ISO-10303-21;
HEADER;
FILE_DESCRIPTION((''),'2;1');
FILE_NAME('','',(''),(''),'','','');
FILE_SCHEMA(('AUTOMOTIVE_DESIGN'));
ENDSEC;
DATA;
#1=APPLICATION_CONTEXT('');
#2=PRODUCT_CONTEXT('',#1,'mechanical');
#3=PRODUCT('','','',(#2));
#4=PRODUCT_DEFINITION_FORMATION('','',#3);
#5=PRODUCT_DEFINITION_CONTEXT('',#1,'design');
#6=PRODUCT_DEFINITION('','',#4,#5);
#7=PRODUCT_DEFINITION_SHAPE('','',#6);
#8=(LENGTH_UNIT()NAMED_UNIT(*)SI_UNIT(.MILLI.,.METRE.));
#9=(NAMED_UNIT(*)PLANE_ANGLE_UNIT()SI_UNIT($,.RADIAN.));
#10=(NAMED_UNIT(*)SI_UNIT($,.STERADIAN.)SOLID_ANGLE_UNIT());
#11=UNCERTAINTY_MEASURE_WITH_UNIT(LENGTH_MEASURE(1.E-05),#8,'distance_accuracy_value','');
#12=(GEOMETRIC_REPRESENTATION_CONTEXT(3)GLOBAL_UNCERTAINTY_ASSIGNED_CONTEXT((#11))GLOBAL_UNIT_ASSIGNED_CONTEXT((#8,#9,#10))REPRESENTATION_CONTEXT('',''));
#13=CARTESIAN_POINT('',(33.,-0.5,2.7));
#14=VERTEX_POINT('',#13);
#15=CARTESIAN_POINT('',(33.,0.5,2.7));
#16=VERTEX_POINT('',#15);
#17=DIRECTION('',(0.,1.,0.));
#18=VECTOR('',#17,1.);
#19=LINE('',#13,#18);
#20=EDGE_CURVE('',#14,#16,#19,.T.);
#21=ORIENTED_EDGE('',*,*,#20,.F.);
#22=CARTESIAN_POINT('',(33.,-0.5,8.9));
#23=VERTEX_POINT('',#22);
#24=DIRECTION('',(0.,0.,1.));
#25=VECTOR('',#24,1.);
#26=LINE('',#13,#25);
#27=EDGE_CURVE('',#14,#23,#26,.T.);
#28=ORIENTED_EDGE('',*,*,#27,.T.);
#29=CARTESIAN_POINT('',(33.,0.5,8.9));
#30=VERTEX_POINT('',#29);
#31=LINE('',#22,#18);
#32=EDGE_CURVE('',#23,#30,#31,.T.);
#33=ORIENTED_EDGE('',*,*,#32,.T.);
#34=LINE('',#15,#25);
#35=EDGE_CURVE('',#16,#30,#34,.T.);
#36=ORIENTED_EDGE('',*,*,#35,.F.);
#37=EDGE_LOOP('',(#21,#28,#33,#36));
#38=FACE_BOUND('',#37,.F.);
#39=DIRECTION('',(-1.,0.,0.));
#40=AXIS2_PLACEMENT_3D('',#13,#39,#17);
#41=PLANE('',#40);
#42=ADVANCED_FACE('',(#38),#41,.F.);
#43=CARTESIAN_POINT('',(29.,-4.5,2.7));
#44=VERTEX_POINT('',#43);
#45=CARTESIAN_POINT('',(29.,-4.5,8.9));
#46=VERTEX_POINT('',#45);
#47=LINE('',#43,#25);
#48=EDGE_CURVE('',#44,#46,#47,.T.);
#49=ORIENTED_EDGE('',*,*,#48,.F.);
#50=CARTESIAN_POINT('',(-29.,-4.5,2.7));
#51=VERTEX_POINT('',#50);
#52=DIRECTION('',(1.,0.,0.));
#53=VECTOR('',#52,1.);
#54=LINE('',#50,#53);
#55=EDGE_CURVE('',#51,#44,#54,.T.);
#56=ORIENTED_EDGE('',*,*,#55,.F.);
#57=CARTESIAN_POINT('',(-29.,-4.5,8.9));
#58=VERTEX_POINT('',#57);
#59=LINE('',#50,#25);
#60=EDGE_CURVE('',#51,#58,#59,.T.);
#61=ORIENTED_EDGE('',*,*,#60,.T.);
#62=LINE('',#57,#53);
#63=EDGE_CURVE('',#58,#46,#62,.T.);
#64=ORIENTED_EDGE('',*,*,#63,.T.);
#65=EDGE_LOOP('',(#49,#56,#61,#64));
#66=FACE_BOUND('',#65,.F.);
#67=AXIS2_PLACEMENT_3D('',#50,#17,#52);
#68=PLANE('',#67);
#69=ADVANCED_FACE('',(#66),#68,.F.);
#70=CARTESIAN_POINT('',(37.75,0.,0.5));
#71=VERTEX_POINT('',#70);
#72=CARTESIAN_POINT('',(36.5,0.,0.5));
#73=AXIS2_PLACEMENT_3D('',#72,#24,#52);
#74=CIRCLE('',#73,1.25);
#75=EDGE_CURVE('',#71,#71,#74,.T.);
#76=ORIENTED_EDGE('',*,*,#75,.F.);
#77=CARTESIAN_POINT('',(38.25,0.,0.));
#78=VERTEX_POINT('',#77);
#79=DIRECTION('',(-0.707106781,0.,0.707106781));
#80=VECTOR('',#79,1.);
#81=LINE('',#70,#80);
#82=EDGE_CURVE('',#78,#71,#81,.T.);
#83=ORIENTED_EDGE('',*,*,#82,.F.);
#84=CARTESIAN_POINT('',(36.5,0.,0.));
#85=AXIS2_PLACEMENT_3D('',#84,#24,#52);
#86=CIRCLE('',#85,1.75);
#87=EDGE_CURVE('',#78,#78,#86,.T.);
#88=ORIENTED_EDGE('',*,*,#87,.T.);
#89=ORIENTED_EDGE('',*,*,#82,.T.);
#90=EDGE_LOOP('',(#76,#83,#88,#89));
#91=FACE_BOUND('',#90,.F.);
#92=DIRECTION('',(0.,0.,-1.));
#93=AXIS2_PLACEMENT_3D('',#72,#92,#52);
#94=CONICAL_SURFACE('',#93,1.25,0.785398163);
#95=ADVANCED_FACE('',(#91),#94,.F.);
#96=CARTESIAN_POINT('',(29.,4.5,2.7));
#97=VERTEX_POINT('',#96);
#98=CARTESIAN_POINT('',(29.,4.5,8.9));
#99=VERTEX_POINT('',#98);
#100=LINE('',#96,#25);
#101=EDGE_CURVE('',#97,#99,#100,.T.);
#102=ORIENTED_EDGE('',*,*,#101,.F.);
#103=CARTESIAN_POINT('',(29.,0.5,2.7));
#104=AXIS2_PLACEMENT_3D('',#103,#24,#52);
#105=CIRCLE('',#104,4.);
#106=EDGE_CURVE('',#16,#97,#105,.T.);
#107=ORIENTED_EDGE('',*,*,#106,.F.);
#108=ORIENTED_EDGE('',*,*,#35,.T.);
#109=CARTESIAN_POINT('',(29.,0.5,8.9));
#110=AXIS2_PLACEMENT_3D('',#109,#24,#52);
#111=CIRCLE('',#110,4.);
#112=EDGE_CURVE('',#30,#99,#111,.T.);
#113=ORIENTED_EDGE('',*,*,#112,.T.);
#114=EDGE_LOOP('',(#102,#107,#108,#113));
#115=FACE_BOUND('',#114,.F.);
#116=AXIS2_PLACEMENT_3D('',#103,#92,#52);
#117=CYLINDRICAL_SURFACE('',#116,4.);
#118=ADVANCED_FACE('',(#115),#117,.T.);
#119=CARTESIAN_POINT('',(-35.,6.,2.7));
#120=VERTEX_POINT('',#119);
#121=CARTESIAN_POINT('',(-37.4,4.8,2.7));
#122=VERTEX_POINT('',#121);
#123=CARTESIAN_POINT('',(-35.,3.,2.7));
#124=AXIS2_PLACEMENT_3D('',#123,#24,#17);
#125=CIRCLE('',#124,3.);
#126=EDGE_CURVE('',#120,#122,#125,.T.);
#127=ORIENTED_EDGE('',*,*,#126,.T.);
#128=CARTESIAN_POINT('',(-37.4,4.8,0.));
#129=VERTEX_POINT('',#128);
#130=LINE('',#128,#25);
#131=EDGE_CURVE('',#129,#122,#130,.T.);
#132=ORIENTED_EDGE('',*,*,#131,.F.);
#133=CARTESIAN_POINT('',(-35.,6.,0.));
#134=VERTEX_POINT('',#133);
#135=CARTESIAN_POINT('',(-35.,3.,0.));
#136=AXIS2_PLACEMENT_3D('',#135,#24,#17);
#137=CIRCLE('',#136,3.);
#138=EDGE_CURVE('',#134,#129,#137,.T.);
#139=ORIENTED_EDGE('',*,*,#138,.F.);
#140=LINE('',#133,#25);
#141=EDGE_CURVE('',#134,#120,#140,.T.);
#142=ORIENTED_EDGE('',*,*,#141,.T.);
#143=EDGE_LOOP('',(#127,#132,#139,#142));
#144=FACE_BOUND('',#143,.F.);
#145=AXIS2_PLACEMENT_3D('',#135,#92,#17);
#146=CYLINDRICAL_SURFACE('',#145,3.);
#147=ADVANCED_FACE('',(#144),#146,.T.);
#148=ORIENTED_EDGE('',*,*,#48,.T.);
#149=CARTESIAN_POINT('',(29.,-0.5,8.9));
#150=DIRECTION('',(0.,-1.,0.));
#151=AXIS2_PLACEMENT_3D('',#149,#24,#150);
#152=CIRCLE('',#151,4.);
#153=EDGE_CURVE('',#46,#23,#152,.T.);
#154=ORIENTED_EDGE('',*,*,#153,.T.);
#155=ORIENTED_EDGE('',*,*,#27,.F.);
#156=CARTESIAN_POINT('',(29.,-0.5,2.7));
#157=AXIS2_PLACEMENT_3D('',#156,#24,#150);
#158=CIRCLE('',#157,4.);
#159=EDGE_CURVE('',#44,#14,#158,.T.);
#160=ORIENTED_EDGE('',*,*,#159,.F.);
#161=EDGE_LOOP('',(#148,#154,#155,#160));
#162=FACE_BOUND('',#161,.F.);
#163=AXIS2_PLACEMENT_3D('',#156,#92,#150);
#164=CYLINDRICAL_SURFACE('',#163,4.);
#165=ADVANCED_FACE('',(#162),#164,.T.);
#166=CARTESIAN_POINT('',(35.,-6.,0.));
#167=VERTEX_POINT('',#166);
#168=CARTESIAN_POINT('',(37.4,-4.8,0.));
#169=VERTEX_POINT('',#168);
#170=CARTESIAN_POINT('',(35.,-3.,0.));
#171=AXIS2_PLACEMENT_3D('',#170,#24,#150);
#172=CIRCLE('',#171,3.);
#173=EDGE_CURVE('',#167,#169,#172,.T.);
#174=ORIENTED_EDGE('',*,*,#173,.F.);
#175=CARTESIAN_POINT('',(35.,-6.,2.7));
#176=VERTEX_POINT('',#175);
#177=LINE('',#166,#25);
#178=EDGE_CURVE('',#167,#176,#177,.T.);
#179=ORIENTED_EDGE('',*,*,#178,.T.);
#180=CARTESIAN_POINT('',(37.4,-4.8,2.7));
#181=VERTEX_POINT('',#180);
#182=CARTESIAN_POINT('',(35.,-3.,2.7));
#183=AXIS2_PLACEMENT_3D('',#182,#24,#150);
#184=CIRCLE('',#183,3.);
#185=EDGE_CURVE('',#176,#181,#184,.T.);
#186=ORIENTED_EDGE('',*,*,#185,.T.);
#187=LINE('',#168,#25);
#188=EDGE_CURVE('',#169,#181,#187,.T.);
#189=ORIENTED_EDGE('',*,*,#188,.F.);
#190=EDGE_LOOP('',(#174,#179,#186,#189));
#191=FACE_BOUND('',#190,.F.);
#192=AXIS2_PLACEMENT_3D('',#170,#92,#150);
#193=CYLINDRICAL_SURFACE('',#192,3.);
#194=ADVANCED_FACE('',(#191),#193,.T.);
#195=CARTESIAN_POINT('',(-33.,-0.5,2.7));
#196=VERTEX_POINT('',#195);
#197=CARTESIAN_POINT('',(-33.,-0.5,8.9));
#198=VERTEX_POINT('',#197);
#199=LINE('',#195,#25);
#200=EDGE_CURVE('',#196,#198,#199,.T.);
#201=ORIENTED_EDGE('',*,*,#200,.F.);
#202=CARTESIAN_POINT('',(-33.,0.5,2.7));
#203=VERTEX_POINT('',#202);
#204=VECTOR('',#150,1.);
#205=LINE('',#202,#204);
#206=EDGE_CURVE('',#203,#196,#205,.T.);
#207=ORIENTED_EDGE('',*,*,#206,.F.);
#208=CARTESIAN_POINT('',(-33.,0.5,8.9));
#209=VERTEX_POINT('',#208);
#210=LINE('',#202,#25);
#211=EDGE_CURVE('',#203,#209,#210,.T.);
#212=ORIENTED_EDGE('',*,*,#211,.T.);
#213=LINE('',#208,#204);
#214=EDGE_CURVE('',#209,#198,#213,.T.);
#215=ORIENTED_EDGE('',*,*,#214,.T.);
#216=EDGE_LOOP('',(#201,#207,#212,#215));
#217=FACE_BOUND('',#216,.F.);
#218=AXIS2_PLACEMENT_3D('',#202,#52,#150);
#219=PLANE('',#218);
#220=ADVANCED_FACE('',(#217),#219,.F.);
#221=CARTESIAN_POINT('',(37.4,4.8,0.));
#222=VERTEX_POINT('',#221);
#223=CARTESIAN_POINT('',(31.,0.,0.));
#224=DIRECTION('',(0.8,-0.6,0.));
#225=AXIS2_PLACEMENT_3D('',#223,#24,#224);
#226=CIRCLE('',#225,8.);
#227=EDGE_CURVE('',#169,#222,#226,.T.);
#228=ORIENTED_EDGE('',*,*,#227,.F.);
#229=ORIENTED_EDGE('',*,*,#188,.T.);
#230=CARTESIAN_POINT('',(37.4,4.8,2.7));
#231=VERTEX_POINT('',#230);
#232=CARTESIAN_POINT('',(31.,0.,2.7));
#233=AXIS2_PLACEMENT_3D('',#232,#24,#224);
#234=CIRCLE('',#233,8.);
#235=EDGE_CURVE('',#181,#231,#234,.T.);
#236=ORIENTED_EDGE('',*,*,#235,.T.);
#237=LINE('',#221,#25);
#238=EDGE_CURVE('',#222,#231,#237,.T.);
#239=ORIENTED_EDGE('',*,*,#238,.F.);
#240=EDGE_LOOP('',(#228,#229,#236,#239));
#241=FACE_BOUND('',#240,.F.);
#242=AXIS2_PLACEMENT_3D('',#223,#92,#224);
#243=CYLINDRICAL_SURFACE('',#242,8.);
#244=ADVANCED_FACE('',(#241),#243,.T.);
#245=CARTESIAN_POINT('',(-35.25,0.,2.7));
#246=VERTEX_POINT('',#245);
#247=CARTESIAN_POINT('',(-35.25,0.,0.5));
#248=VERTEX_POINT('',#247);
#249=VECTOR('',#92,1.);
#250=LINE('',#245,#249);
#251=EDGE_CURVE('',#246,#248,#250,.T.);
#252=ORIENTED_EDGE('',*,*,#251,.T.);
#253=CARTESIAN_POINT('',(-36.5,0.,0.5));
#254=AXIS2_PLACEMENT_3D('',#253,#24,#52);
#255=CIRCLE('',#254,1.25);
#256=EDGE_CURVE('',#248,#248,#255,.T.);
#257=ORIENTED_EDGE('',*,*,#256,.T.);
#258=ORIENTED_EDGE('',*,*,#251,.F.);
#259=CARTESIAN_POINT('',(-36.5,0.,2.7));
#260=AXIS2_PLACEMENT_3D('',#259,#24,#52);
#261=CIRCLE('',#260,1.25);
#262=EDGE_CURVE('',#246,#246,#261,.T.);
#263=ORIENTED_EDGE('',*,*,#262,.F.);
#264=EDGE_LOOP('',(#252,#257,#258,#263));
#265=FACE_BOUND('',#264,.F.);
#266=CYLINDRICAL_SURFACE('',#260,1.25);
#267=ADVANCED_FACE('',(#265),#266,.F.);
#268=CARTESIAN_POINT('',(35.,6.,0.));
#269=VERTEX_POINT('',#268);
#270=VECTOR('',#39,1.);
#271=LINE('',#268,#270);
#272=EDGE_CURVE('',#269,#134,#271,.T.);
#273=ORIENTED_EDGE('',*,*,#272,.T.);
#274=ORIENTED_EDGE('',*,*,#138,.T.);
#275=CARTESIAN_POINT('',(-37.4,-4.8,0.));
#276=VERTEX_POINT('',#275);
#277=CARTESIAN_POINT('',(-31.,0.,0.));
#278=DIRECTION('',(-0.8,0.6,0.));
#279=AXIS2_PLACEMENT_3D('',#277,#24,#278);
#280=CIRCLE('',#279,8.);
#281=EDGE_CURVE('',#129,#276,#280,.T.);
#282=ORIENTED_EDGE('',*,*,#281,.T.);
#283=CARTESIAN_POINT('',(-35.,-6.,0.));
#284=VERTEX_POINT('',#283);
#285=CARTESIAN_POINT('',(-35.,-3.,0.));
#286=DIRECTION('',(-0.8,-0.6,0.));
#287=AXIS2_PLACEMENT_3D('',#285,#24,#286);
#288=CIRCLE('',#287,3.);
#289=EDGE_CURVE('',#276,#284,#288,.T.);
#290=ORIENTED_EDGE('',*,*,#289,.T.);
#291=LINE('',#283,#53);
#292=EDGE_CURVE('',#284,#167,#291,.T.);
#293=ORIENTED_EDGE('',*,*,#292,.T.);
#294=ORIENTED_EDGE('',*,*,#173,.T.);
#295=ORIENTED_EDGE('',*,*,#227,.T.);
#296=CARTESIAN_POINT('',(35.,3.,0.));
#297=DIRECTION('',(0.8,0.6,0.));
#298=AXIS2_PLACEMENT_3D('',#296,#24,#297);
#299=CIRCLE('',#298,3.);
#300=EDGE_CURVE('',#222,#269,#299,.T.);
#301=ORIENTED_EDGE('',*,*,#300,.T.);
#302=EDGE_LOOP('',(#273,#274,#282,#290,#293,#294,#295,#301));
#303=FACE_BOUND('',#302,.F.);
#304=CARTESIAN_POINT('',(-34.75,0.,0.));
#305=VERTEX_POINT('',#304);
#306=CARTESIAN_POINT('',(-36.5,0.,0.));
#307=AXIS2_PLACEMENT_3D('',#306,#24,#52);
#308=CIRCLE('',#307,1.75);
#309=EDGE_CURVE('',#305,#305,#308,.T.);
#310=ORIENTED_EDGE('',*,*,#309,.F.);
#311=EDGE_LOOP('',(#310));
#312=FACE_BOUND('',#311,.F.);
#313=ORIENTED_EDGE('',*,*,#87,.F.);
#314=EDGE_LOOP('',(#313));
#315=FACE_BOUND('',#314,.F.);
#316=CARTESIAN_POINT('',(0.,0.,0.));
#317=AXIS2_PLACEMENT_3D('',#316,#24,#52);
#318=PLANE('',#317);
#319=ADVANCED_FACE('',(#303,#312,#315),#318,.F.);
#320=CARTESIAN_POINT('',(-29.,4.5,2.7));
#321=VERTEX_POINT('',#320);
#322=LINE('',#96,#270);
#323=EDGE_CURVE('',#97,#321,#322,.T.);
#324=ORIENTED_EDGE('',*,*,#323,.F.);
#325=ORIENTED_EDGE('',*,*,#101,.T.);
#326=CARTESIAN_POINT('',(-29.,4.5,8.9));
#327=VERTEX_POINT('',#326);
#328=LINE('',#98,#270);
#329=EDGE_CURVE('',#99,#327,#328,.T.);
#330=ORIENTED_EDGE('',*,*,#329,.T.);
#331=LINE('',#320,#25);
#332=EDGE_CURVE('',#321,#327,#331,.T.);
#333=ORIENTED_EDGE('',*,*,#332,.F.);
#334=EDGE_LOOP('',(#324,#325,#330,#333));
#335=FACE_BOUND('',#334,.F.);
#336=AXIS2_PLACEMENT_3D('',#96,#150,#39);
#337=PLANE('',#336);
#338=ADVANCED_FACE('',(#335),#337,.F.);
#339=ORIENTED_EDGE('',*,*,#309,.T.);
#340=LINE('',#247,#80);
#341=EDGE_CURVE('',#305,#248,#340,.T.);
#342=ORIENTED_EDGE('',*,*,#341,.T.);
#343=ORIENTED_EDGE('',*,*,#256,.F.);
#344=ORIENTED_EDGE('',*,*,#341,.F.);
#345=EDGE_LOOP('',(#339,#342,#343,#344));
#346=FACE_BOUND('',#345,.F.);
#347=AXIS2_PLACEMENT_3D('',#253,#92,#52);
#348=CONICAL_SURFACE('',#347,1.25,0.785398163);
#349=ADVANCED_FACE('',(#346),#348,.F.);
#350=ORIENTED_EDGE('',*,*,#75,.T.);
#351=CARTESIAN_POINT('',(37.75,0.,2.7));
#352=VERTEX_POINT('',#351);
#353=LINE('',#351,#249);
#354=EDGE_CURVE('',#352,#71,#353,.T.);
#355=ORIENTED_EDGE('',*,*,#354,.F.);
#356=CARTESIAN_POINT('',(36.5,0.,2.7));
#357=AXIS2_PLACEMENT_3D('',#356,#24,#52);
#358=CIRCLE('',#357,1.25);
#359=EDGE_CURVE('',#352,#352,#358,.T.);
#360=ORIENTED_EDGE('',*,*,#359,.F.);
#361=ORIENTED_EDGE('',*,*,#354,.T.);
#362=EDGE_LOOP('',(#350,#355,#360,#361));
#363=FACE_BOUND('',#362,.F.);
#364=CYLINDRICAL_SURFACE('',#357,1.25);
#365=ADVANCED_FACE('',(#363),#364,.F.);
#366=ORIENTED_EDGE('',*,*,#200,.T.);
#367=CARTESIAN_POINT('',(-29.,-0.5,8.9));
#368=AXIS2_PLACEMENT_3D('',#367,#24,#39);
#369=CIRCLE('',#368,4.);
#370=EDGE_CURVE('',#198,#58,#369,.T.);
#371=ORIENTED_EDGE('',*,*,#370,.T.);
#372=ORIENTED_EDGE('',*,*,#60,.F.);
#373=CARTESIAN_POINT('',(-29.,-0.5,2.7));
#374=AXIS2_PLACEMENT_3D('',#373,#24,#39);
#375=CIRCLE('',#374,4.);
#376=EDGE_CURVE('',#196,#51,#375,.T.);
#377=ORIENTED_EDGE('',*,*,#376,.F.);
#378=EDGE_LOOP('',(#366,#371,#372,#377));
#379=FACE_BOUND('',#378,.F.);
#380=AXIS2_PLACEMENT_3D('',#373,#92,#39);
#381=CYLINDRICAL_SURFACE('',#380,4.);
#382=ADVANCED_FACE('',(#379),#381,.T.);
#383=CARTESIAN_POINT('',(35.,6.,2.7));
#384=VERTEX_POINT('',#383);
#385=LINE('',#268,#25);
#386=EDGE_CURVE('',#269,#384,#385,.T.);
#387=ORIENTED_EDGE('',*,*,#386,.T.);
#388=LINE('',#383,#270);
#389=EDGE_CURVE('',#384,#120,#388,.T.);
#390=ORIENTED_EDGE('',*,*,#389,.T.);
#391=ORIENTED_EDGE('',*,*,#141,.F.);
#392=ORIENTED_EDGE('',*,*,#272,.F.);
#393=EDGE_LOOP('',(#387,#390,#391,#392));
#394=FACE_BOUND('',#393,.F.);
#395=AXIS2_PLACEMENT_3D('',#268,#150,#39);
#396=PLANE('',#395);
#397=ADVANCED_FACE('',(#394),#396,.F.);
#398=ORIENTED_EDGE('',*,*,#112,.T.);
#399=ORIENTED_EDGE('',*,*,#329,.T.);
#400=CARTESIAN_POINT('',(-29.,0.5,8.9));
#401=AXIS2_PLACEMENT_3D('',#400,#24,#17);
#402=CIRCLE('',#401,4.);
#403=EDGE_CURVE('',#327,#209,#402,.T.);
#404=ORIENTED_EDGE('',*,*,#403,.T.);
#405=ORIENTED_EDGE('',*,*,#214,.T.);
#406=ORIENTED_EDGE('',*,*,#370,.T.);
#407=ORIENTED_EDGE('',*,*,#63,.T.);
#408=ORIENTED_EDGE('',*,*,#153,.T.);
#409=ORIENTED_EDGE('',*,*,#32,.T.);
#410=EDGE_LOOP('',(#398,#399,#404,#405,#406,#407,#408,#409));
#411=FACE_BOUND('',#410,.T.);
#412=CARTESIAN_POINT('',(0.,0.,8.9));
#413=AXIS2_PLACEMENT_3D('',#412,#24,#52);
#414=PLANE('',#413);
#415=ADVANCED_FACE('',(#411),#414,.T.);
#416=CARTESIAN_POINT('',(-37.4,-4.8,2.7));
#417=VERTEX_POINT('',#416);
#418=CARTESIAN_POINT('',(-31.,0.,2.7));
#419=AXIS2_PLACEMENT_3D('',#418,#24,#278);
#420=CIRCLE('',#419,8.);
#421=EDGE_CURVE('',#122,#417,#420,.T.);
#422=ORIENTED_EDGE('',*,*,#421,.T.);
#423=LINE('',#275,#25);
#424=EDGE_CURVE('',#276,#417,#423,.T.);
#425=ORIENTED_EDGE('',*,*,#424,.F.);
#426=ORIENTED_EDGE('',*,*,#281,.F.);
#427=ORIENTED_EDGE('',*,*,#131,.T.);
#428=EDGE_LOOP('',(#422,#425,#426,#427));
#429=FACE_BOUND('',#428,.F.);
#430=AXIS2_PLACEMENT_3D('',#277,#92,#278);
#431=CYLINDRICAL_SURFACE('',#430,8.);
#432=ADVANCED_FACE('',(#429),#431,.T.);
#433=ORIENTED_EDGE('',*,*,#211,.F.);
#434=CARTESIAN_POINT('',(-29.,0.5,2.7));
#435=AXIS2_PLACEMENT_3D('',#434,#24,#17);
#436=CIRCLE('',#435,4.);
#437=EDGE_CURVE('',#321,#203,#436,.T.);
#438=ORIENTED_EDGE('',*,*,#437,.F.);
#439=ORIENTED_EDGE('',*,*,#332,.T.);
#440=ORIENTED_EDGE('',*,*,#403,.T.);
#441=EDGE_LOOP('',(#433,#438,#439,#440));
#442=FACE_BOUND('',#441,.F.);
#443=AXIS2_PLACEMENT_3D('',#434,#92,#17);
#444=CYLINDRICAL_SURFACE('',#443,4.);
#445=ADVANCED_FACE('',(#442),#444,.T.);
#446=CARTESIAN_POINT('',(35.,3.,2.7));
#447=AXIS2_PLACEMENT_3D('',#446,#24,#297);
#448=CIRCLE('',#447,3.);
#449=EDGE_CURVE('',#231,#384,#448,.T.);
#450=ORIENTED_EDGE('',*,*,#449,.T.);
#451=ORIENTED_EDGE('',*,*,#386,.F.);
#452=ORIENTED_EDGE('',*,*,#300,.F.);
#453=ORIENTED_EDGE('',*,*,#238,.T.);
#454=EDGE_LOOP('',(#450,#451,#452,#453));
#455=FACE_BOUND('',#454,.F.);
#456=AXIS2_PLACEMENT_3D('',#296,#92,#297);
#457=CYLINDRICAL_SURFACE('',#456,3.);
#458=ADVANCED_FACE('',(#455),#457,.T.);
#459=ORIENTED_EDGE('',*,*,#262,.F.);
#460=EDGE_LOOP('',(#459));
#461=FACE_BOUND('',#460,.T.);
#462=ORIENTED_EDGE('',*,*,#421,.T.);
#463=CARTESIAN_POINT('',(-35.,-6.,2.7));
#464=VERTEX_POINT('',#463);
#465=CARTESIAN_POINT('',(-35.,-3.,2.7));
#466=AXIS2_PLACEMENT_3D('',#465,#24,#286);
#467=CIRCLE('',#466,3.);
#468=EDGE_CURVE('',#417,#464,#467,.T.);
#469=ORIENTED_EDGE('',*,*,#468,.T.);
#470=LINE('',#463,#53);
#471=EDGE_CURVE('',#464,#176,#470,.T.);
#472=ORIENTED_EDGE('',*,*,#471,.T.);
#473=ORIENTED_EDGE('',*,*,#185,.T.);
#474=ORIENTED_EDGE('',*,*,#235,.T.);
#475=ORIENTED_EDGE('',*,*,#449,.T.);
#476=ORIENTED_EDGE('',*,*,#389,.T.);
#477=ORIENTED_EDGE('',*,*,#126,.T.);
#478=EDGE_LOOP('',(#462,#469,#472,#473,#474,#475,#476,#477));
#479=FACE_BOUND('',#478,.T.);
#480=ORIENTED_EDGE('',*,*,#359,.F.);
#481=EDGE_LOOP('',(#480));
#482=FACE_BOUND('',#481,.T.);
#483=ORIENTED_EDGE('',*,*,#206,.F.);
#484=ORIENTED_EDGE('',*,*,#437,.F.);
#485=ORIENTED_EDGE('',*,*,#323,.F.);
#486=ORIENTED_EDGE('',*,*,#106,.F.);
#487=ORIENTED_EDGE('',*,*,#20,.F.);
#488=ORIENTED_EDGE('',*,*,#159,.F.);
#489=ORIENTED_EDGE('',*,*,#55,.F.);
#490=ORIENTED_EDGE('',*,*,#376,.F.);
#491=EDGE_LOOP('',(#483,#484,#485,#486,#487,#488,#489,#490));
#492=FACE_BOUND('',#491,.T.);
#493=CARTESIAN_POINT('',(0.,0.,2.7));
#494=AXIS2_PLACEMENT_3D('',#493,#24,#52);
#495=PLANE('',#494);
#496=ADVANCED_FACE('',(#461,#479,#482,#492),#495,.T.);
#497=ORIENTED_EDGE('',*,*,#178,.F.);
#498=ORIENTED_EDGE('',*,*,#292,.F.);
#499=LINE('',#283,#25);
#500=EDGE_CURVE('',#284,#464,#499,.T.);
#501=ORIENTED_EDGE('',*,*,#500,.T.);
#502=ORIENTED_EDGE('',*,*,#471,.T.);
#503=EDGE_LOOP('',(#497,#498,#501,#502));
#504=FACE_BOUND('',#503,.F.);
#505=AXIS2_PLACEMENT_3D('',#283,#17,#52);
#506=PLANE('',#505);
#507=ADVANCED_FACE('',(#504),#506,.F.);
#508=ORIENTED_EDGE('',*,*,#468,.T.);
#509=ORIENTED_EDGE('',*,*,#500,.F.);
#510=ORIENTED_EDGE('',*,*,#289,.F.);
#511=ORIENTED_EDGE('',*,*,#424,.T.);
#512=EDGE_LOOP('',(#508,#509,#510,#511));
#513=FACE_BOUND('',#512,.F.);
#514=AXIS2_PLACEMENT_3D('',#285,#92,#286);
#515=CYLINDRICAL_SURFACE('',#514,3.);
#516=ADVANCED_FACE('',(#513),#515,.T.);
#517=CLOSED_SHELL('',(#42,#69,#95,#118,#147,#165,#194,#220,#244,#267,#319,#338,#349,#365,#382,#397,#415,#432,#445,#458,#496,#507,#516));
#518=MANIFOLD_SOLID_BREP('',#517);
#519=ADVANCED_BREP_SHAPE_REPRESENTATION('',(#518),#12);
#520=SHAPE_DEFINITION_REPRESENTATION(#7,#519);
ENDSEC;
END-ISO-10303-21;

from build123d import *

# Parameters (mm, degrees)
F1_DEPTH = 2.7
F3_DEPTH = 6.2
F4_R     = 1.25
F5_DEPTH = 25
F6_SIZE  = 0.5


with BuildPart() as f1:
    # F0 (on Top) → F1 (new body)
    with BuildSketch(Plane.XY):
        with BuildLine():
            Line((-35, -6), (35, -6))
            ThreePointArc((35, -6), (36.3416407865, -5.683281573), (37.4, -4.8))
            ThreePointArc((37.4, -4.8), (39, 0), (37.4, 4.8))
            ThreePointArc((37.4, 4.8), (36.3416407865, 5.683281573), (35, 6))
            Line((35, 6), (-35, 6))
            ThreePointArc((-35, 6), (-36.3416407865, 5.683281573), (-37.4, 4.8))
            ThreePointArc((-37.4, 4.8), (-39, 0), (-37.4, -4.8))
            ThreePointArc((-37.4, -4.8), (-36.3416407865, -5.683281573), (-35, -6))
        make_face()
    extrude(amount=F1_DEPTH)

    # F2 (on face) → F3 (join)
    with BuildSketch(Plane.XY.offset(2.7)):
        with BuildLine():
            Line((29, 4.5), (-29, 4.5))
            ThreePointArc((-29, 4.5), (-31.8284271247, 3.3284271247), (-33, 0.5))
            Line((-33, 0.5), (-33, -0.5))
            ThreePointArc((-33, -0.5), (-31.8284271247, -3.3284271247), (-29, -4.5))
            Line((-29, -4.5), (29, -4.5))
            ThreePointArc((29, -4.5), (31.8284271247, -3.3284271247), (33, -0.5))
            Line((33, -0.5), (33, 0.5))
            ThreePointArc((33, 0.5), (31.8284271247, 3.3284271247), (29, 4.5))
        make_face()
    extrude(amount=F3_DEPTH)

    # F4 (on face) → F5 (cut)
    with BuildSketch(Plane.XY.offset(2.7)):
        with Locations((-36.5, 0)):
            Circle(F4_R)
        with Locations((36.5, 0)):
            Circle(F4_R)
    extrude(amount=-F5_DEPTH, mode=Mode.SUBTRACT)

    # F6
    f6_edges = [f1.edges().sort_by_distance(p)[0] for p in [
        (-37.75, 0, 0),
        (35.25, 0, 0),
    ]]
    chamfer(f6_edges, length=F6_SIZE)


solid = f1.part
